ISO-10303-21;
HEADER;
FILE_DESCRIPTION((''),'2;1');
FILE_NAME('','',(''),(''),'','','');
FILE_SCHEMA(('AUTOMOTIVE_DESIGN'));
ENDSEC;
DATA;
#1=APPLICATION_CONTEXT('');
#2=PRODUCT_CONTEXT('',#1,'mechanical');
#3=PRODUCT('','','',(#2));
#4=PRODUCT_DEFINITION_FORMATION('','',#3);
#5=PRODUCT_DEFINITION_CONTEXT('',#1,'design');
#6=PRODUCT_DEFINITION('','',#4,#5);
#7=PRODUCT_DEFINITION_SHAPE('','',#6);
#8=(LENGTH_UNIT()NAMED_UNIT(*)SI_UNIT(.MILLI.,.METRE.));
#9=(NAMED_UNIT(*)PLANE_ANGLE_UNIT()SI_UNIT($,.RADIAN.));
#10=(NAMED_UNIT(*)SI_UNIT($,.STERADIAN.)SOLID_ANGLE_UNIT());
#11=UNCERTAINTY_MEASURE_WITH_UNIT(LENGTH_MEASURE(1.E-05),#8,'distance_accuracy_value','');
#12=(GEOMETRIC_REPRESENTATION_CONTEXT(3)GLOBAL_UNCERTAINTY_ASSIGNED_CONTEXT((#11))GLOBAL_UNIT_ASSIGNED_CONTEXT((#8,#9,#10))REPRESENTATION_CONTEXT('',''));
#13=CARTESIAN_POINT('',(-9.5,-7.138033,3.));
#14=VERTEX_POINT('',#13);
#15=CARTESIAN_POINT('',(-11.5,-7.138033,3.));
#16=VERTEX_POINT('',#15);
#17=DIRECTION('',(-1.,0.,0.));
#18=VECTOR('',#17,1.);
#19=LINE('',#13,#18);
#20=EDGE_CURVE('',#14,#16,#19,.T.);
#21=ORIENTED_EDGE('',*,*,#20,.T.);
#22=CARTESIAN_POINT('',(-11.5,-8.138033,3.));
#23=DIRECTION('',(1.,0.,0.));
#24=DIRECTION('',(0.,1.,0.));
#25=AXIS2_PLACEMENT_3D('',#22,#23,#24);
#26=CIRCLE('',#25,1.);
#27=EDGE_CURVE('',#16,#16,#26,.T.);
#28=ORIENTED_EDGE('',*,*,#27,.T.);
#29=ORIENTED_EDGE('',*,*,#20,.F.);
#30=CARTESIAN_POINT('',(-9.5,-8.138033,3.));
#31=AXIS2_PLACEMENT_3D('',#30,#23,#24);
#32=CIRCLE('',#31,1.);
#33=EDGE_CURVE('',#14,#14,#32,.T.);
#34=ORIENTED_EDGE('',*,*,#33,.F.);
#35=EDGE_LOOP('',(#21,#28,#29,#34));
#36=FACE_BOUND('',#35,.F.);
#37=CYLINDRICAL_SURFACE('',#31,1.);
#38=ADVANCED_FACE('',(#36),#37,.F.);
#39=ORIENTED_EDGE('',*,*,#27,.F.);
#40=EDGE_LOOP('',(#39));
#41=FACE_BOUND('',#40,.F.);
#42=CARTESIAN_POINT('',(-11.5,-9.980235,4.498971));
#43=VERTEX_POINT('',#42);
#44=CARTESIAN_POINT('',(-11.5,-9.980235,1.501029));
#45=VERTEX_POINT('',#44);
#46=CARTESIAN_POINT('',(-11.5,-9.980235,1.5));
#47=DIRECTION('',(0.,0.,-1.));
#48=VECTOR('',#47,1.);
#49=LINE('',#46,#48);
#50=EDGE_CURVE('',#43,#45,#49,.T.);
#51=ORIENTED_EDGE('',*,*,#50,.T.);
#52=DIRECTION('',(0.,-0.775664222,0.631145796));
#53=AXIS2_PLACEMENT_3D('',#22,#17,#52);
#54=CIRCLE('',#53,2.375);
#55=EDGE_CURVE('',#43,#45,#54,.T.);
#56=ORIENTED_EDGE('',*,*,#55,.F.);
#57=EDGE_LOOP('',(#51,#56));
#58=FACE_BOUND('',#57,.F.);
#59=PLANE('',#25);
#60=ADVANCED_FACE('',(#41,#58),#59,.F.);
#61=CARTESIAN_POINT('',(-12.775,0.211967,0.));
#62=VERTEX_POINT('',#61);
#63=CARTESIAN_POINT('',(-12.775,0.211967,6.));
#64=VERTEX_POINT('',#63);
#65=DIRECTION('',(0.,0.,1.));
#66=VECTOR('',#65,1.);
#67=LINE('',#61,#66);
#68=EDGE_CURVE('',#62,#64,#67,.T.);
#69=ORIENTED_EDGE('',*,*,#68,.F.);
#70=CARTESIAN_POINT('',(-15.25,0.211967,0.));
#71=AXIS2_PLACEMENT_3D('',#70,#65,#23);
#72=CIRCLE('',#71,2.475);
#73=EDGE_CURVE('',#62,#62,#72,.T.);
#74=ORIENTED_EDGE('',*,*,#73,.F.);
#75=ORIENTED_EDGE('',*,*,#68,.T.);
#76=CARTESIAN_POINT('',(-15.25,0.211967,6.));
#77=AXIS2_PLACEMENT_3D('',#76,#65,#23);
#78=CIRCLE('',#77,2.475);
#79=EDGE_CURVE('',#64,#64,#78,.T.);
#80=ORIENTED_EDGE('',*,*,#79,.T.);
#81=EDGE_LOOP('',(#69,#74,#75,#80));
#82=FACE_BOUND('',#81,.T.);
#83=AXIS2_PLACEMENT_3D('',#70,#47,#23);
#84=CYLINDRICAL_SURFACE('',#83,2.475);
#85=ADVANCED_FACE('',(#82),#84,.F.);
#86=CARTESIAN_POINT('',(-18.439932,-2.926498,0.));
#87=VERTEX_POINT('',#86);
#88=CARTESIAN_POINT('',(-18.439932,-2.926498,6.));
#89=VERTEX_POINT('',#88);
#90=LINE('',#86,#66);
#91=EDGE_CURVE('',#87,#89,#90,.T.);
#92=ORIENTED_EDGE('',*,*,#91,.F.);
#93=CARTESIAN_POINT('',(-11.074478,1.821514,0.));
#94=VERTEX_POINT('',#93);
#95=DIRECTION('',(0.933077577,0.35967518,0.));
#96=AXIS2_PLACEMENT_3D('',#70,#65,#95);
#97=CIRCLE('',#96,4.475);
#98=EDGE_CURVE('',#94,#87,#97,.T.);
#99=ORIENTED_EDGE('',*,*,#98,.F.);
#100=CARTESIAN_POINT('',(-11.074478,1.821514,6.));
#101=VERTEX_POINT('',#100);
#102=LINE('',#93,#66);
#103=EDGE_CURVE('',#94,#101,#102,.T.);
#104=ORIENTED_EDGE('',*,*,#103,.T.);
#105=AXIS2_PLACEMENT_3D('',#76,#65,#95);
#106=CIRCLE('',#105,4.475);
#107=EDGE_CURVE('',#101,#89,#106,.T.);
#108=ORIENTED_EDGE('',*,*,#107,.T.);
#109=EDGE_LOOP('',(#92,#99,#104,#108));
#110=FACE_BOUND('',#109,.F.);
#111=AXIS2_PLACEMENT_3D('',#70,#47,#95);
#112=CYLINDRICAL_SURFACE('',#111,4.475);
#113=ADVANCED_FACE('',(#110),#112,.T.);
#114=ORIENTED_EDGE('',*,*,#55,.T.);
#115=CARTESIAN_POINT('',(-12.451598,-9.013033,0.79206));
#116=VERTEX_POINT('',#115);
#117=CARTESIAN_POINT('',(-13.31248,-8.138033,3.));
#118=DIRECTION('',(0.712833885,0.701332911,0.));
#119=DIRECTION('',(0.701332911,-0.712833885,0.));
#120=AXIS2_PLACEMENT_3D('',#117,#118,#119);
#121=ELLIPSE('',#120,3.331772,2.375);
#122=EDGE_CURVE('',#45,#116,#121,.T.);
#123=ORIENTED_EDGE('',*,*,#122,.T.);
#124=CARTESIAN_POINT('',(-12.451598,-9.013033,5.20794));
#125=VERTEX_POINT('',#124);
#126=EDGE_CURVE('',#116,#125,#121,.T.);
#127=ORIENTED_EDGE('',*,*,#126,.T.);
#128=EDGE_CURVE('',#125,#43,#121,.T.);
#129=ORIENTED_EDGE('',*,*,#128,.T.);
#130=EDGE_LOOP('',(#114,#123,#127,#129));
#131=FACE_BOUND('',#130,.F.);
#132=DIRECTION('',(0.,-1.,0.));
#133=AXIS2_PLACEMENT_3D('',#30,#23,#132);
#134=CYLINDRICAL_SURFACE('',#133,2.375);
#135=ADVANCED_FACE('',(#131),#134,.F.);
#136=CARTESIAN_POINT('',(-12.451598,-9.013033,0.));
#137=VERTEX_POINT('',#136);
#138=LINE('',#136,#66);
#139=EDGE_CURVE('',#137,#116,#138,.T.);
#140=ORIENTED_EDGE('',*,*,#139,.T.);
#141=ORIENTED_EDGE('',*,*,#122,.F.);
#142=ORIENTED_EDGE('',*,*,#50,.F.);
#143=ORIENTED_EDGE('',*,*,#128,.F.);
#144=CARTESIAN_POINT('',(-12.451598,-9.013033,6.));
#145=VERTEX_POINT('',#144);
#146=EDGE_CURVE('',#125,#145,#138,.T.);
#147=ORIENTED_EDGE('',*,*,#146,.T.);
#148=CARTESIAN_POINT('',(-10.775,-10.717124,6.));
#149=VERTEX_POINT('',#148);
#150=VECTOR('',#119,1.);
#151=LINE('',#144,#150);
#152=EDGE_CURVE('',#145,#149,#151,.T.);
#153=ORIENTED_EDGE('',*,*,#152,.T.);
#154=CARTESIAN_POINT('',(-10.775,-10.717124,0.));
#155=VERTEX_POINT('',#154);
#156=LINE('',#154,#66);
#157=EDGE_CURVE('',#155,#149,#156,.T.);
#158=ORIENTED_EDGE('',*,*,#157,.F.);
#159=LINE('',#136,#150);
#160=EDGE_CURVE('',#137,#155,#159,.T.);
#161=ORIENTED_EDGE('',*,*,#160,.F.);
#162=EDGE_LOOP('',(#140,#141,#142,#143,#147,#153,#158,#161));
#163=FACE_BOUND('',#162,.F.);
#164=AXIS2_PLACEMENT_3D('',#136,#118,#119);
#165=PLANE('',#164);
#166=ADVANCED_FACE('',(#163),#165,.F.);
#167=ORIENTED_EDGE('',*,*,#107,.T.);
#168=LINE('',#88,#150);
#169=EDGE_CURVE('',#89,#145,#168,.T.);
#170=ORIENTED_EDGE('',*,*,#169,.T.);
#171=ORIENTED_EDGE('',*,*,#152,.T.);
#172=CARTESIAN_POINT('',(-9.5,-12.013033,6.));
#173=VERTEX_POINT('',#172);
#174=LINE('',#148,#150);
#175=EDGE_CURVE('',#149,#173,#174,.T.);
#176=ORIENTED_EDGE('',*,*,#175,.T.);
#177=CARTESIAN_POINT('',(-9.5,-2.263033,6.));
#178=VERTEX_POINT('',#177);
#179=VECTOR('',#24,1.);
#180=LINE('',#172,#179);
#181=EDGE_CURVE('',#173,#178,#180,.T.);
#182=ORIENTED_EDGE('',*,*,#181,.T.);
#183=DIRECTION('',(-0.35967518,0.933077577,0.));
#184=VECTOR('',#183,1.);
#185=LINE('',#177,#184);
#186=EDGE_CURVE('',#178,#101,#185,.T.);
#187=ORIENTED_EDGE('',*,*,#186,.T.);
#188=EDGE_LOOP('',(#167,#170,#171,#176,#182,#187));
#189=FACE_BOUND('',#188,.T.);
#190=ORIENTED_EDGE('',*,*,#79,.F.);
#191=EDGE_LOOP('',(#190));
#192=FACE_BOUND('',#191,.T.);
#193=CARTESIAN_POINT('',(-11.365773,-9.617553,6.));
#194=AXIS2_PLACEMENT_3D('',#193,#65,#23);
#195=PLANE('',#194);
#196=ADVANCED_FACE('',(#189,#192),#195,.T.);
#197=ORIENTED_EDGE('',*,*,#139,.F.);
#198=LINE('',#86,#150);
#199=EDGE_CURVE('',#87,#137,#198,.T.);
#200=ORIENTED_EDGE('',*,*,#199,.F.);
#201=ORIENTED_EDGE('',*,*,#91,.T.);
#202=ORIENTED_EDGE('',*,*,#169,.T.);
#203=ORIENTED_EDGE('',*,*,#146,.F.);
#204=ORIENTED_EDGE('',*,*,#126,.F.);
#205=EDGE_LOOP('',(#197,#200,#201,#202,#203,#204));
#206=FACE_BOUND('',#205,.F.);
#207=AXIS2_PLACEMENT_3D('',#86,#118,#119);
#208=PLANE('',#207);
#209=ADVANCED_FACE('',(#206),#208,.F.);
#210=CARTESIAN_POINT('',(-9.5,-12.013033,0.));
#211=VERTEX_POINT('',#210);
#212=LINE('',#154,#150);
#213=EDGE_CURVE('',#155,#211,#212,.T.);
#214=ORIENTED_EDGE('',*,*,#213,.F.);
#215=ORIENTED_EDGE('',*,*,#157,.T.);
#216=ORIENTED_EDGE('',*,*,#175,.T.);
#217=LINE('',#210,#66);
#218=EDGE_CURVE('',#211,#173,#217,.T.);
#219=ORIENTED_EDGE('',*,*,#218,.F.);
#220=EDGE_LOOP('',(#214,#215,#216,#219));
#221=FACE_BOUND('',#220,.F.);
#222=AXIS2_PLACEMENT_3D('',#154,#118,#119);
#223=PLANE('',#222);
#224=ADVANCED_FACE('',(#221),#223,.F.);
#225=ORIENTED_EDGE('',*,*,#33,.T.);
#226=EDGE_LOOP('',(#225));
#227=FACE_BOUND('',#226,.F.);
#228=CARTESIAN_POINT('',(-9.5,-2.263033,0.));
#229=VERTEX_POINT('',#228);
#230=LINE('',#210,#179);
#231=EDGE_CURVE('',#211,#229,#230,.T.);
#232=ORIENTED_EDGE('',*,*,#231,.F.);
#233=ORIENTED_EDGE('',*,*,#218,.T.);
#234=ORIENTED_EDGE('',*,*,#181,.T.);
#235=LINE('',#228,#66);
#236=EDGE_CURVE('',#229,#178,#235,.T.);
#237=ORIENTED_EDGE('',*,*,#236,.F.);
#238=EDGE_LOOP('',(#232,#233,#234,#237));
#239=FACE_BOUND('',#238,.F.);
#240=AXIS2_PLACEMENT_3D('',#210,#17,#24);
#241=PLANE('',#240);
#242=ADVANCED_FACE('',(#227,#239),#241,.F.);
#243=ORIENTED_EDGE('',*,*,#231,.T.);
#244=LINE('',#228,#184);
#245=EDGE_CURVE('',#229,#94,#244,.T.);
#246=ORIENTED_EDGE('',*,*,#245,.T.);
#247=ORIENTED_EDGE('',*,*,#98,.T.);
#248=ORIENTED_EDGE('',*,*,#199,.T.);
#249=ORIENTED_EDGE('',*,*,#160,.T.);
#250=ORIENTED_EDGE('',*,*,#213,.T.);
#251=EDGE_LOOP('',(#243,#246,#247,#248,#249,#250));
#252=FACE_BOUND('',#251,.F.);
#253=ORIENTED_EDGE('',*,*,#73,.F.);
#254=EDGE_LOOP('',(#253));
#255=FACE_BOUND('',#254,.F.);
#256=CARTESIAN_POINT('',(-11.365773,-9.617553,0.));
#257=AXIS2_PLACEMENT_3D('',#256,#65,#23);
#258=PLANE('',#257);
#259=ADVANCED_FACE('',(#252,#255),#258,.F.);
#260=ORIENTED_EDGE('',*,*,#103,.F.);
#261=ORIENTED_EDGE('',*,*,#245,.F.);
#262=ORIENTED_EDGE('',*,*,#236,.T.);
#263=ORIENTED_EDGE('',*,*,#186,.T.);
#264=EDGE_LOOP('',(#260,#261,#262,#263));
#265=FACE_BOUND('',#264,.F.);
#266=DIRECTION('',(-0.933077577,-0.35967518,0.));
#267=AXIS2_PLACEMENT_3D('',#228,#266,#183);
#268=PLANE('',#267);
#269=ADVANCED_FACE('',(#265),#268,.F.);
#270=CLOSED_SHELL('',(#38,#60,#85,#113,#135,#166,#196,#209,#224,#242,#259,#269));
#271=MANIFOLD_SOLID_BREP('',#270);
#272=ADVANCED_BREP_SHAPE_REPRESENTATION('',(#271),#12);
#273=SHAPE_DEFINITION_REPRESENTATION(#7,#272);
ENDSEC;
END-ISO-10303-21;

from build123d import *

# Parameters (mm, degrees)
F0_R     = 2.475
F0_W     = 1.275
F0_H     = 4.75
F1_DEPTH = 6
F2_R     = 1
F3_DEPTH = 6.1501615181
F4_R     = 2.375
F4_R_2   = 1
F5_DEPTH = 2
F6_DEPTH = 2
F7_DEPTH = 25


with BuildPart() as f1:
    # F0 (on Top) → F1 (new body)
    with BuildSketch(Plane.XY):
        Polygon((-10.775, -9.0130328), (-12.4515975287, -9.0130328), (-10.775, -10.7171244104), align=None)
        with BuildLine():
            ThreePointArc((-18.4399316357, -2.9264975775), (-13.5543171095, -3.9293230017), (-10.775, 0.2119672))
            ThreePointArc((-10.775, 0.2119672), (-10.850506469, 1.0305523641), (-11.0744778417, 1.8215136285))
            ThreePointArc((-11.0744778417, 1.8215136285), (-17.6746133243, 3.9732004057), (-18.4399316357, -2.9264975775))
        make_face()
        with Locations((-15.25, 0.2119672)):
            Circle(F0_R, mode=Mode.SUBTRACT)
        with BuildLine():
            ThreePointArc((-11.0744778417, 1.8215136285), (-10.850506469, 1.0305523641), (-10.775, 0.2119672))
            Line((-10.775, 0.2119672), (-10.775, -4.2630328))
            Line((-10.775, -4.2630328), (-9.5, -4.2630328))
            Line((-9.5, -4.2630328), (-9.5, -2.2630328))
            Line((-9.5, -2.2630328), (-11.0744778417, 1.8215136285))
        make_face()
        with Locations((-10.1375, -6.6380328)):
            Rectangle(F0_W, F0_H)
        Polygon((-9.5, -9.0130328), (-10.775, -9.0130328), (-10.775, -10.7171244104), (-9.5, -12.0130328), align=None)
        with BuildLine():
            Line((-10.775, -4.2630328), (-10.775, 0.2119672))
            ThreePointArc((-10.775, 0.2119672), (-13.5543171095, -3.9293230017), (-18.4399316357, -2.9264975775))
            Line((-18.4399316357, -2.9264975775), (-12.4515975287, -9.0130328))
            Line((-12.4515975287, -9.0130328), (-10.775, -9.0130328))
            Line((-10.775, -9.0130328), (-10.775, -4.2630328))
        make_face()
    extrude(amount=F1_DEPTH)

    # F2 (on face) → F3 (cut, through all)
    with BuildSketch(Plane.YZ.offset(-9.5)):
        with BuildLine():
            ThreePointArc((-5.7630328, 3), (-8.1380328, 5.375), (-10.5130328, 3))
            ThreePointArc((-10.5130328, 3), (-8.1380328, 0.625), (-5.7630328, 3))
        make_face()
        with Locations((-8.1380328, 3)):
            Circle(F2_R, mode=Mode.SUBTRACT)
        with Locations((-8.1380328, 3)):
            Circle(F2_R)
    extrude(amount=-F3_DEPTH, mode=Mode.SUBTRACT)

    # F4 (on face) → F5 (join)
    with BuildSketch(Plane.YZ.offset(-9.5)):
        with Locations((-8.1380328, 3)):
            Circle(F4_R)
        with Locations((-8.1380328, 3)):
            Circle(F4_R_2, mode=Mode.SUBTRACT)
        with Locations((-8.1380328, 3)):
            Circle(F4_R_2)
    extrude(amount=-F5_DEPTH)

    # F4 (on face) → F6 (cut, through all)
    with BuildSketch(Plane.YZ.offset(-9.5)):
        with Locations((-8.1380328, 3)):
            Circle(F4_R_2)
    extrude(amount=-F6_DEPTH, mode=Mode.SUBTRACT)

    # F0 (on Top) → F7 (cut)
    with BuildSketch(Plane.XY):
        Polygon((-12.4515975287, -9.0130328), (-18.4399316357, -2.9264975775), (-21.0827792011, -5.5267050251), (-12.1428475655, -14.6132402476), (-9.5, -12.0130328), (-10.775, -10.7171244104), align=None)
    extrude(amount=F7_DEPTH, mode=Mode.SUBTRACT)


solid = f1.part
